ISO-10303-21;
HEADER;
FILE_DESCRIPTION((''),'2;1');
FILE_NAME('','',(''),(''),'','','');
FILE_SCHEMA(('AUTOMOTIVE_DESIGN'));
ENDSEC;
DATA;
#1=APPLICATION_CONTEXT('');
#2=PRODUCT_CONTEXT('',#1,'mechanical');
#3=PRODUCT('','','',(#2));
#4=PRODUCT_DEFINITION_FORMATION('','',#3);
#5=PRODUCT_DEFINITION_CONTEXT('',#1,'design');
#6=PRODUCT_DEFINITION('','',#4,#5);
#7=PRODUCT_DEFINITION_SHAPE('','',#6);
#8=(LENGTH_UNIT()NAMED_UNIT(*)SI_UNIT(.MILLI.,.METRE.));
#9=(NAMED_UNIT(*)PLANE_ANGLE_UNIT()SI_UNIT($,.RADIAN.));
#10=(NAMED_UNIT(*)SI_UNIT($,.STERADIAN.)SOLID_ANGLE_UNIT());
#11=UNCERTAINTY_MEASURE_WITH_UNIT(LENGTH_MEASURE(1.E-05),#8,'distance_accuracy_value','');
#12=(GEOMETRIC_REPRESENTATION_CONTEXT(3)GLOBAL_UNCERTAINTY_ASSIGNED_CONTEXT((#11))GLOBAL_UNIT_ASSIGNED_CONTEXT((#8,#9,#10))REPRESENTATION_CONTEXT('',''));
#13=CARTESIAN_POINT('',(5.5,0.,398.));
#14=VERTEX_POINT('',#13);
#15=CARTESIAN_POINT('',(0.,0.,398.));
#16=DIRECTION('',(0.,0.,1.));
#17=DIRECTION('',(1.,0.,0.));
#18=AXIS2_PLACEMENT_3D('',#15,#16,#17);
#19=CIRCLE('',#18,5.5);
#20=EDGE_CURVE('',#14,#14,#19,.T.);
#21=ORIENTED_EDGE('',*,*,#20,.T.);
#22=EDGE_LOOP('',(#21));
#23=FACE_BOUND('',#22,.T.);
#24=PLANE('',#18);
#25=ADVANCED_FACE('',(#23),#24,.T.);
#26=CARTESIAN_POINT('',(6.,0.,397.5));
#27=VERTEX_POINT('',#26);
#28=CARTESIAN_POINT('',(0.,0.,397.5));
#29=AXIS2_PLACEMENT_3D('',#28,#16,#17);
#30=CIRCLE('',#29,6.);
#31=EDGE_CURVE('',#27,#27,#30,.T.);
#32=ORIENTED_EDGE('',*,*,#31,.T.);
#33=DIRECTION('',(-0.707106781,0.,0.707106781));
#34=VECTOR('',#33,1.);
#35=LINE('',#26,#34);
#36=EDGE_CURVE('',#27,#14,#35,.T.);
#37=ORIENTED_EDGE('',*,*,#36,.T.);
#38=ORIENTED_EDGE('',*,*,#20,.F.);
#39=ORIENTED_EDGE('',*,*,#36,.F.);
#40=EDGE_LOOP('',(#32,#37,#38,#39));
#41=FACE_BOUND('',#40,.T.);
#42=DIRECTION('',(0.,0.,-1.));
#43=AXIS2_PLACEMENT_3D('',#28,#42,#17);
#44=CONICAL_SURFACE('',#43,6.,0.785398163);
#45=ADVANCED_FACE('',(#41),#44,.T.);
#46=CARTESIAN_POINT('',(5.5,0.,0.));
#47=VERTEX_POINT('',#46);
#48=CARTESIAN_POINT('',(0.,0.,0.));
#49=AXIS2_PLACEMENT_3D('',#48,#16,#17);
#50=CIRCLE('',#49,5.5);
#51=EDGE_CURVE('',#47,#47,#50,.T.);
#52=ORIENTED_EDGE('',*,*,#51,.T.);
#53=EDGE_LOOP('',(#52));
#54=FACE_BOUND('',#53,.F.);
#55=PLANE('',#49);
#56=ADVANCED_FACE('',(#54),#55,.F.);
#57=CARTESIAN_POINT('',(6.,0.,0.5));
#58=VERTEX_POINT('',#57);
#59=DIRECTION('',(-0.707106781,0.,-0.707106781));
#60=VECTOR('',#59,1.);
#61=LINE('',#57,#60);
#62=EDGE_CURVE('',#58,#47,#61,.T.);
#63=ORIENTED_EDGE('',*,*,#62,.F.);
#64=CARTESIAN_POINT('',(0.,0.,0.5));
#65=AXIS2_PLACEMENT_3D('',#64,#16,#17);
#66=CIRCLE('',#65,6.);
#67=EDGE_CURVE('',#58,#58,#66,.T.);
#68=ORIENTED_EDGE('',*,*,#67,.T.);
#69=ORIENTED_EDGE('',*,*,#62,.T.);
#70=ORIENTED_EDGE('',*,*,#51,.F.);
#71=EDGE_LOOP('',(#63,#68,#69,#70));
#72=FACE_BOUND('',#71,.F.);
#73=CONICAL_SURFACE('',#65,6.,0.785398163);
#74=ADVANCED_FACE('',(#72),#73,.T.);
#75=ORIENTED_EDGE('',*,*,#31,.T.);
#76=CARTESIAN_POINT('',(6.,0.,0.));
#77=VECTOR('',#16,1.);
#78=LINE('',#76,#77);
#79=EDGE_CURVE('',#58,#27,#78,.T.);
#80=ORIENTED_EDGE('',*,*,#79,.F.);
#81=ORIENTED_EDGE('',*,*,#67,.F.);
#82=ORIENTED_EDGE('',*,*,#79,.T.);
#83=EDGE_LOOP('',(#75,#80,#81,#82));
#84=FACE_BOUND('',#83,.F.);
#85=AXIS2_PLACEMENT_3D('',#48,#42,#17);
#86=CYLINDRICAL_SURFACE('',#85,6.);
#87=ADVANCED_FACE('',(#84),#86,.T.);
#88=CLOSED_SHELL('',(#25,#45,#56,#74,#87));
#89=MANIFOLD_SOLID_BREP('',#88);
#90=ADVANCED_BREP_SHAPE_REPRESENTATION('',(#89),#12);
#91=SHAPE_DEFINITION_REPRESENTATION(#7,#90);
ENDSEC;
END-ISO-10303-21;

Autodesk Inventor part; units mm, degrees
ref_plane "YZ Plane" through (0, 0, 0) normal (1, 0, 0) x (0, 1, 0)
ref_plane "XZ Plane" through (0, 0, 0) normal (0, 1, 0) x (-1, 0, 0)
ref_plane "XY Plane" through (0, 0, 0) normal (0, 0, 1) x (1, 0, 0)
sketch "Szkic1" plane through (0, 0, 0) normal (0, 0, 1) x (1, 0, 0)
  circle A0 centre (0, 0) radius 6
  dimension "d0" = 12
extrude "Wyciągnięcie proste1" add sketch "Szkic1" along normal blind 398
chamfer "Faza1" distance 0.5 angle 45 2 edges at (-6, 0, 0) (-6, 0, 398)
properties part number "CUT_398mm_12mm_Linear_Shaft"
